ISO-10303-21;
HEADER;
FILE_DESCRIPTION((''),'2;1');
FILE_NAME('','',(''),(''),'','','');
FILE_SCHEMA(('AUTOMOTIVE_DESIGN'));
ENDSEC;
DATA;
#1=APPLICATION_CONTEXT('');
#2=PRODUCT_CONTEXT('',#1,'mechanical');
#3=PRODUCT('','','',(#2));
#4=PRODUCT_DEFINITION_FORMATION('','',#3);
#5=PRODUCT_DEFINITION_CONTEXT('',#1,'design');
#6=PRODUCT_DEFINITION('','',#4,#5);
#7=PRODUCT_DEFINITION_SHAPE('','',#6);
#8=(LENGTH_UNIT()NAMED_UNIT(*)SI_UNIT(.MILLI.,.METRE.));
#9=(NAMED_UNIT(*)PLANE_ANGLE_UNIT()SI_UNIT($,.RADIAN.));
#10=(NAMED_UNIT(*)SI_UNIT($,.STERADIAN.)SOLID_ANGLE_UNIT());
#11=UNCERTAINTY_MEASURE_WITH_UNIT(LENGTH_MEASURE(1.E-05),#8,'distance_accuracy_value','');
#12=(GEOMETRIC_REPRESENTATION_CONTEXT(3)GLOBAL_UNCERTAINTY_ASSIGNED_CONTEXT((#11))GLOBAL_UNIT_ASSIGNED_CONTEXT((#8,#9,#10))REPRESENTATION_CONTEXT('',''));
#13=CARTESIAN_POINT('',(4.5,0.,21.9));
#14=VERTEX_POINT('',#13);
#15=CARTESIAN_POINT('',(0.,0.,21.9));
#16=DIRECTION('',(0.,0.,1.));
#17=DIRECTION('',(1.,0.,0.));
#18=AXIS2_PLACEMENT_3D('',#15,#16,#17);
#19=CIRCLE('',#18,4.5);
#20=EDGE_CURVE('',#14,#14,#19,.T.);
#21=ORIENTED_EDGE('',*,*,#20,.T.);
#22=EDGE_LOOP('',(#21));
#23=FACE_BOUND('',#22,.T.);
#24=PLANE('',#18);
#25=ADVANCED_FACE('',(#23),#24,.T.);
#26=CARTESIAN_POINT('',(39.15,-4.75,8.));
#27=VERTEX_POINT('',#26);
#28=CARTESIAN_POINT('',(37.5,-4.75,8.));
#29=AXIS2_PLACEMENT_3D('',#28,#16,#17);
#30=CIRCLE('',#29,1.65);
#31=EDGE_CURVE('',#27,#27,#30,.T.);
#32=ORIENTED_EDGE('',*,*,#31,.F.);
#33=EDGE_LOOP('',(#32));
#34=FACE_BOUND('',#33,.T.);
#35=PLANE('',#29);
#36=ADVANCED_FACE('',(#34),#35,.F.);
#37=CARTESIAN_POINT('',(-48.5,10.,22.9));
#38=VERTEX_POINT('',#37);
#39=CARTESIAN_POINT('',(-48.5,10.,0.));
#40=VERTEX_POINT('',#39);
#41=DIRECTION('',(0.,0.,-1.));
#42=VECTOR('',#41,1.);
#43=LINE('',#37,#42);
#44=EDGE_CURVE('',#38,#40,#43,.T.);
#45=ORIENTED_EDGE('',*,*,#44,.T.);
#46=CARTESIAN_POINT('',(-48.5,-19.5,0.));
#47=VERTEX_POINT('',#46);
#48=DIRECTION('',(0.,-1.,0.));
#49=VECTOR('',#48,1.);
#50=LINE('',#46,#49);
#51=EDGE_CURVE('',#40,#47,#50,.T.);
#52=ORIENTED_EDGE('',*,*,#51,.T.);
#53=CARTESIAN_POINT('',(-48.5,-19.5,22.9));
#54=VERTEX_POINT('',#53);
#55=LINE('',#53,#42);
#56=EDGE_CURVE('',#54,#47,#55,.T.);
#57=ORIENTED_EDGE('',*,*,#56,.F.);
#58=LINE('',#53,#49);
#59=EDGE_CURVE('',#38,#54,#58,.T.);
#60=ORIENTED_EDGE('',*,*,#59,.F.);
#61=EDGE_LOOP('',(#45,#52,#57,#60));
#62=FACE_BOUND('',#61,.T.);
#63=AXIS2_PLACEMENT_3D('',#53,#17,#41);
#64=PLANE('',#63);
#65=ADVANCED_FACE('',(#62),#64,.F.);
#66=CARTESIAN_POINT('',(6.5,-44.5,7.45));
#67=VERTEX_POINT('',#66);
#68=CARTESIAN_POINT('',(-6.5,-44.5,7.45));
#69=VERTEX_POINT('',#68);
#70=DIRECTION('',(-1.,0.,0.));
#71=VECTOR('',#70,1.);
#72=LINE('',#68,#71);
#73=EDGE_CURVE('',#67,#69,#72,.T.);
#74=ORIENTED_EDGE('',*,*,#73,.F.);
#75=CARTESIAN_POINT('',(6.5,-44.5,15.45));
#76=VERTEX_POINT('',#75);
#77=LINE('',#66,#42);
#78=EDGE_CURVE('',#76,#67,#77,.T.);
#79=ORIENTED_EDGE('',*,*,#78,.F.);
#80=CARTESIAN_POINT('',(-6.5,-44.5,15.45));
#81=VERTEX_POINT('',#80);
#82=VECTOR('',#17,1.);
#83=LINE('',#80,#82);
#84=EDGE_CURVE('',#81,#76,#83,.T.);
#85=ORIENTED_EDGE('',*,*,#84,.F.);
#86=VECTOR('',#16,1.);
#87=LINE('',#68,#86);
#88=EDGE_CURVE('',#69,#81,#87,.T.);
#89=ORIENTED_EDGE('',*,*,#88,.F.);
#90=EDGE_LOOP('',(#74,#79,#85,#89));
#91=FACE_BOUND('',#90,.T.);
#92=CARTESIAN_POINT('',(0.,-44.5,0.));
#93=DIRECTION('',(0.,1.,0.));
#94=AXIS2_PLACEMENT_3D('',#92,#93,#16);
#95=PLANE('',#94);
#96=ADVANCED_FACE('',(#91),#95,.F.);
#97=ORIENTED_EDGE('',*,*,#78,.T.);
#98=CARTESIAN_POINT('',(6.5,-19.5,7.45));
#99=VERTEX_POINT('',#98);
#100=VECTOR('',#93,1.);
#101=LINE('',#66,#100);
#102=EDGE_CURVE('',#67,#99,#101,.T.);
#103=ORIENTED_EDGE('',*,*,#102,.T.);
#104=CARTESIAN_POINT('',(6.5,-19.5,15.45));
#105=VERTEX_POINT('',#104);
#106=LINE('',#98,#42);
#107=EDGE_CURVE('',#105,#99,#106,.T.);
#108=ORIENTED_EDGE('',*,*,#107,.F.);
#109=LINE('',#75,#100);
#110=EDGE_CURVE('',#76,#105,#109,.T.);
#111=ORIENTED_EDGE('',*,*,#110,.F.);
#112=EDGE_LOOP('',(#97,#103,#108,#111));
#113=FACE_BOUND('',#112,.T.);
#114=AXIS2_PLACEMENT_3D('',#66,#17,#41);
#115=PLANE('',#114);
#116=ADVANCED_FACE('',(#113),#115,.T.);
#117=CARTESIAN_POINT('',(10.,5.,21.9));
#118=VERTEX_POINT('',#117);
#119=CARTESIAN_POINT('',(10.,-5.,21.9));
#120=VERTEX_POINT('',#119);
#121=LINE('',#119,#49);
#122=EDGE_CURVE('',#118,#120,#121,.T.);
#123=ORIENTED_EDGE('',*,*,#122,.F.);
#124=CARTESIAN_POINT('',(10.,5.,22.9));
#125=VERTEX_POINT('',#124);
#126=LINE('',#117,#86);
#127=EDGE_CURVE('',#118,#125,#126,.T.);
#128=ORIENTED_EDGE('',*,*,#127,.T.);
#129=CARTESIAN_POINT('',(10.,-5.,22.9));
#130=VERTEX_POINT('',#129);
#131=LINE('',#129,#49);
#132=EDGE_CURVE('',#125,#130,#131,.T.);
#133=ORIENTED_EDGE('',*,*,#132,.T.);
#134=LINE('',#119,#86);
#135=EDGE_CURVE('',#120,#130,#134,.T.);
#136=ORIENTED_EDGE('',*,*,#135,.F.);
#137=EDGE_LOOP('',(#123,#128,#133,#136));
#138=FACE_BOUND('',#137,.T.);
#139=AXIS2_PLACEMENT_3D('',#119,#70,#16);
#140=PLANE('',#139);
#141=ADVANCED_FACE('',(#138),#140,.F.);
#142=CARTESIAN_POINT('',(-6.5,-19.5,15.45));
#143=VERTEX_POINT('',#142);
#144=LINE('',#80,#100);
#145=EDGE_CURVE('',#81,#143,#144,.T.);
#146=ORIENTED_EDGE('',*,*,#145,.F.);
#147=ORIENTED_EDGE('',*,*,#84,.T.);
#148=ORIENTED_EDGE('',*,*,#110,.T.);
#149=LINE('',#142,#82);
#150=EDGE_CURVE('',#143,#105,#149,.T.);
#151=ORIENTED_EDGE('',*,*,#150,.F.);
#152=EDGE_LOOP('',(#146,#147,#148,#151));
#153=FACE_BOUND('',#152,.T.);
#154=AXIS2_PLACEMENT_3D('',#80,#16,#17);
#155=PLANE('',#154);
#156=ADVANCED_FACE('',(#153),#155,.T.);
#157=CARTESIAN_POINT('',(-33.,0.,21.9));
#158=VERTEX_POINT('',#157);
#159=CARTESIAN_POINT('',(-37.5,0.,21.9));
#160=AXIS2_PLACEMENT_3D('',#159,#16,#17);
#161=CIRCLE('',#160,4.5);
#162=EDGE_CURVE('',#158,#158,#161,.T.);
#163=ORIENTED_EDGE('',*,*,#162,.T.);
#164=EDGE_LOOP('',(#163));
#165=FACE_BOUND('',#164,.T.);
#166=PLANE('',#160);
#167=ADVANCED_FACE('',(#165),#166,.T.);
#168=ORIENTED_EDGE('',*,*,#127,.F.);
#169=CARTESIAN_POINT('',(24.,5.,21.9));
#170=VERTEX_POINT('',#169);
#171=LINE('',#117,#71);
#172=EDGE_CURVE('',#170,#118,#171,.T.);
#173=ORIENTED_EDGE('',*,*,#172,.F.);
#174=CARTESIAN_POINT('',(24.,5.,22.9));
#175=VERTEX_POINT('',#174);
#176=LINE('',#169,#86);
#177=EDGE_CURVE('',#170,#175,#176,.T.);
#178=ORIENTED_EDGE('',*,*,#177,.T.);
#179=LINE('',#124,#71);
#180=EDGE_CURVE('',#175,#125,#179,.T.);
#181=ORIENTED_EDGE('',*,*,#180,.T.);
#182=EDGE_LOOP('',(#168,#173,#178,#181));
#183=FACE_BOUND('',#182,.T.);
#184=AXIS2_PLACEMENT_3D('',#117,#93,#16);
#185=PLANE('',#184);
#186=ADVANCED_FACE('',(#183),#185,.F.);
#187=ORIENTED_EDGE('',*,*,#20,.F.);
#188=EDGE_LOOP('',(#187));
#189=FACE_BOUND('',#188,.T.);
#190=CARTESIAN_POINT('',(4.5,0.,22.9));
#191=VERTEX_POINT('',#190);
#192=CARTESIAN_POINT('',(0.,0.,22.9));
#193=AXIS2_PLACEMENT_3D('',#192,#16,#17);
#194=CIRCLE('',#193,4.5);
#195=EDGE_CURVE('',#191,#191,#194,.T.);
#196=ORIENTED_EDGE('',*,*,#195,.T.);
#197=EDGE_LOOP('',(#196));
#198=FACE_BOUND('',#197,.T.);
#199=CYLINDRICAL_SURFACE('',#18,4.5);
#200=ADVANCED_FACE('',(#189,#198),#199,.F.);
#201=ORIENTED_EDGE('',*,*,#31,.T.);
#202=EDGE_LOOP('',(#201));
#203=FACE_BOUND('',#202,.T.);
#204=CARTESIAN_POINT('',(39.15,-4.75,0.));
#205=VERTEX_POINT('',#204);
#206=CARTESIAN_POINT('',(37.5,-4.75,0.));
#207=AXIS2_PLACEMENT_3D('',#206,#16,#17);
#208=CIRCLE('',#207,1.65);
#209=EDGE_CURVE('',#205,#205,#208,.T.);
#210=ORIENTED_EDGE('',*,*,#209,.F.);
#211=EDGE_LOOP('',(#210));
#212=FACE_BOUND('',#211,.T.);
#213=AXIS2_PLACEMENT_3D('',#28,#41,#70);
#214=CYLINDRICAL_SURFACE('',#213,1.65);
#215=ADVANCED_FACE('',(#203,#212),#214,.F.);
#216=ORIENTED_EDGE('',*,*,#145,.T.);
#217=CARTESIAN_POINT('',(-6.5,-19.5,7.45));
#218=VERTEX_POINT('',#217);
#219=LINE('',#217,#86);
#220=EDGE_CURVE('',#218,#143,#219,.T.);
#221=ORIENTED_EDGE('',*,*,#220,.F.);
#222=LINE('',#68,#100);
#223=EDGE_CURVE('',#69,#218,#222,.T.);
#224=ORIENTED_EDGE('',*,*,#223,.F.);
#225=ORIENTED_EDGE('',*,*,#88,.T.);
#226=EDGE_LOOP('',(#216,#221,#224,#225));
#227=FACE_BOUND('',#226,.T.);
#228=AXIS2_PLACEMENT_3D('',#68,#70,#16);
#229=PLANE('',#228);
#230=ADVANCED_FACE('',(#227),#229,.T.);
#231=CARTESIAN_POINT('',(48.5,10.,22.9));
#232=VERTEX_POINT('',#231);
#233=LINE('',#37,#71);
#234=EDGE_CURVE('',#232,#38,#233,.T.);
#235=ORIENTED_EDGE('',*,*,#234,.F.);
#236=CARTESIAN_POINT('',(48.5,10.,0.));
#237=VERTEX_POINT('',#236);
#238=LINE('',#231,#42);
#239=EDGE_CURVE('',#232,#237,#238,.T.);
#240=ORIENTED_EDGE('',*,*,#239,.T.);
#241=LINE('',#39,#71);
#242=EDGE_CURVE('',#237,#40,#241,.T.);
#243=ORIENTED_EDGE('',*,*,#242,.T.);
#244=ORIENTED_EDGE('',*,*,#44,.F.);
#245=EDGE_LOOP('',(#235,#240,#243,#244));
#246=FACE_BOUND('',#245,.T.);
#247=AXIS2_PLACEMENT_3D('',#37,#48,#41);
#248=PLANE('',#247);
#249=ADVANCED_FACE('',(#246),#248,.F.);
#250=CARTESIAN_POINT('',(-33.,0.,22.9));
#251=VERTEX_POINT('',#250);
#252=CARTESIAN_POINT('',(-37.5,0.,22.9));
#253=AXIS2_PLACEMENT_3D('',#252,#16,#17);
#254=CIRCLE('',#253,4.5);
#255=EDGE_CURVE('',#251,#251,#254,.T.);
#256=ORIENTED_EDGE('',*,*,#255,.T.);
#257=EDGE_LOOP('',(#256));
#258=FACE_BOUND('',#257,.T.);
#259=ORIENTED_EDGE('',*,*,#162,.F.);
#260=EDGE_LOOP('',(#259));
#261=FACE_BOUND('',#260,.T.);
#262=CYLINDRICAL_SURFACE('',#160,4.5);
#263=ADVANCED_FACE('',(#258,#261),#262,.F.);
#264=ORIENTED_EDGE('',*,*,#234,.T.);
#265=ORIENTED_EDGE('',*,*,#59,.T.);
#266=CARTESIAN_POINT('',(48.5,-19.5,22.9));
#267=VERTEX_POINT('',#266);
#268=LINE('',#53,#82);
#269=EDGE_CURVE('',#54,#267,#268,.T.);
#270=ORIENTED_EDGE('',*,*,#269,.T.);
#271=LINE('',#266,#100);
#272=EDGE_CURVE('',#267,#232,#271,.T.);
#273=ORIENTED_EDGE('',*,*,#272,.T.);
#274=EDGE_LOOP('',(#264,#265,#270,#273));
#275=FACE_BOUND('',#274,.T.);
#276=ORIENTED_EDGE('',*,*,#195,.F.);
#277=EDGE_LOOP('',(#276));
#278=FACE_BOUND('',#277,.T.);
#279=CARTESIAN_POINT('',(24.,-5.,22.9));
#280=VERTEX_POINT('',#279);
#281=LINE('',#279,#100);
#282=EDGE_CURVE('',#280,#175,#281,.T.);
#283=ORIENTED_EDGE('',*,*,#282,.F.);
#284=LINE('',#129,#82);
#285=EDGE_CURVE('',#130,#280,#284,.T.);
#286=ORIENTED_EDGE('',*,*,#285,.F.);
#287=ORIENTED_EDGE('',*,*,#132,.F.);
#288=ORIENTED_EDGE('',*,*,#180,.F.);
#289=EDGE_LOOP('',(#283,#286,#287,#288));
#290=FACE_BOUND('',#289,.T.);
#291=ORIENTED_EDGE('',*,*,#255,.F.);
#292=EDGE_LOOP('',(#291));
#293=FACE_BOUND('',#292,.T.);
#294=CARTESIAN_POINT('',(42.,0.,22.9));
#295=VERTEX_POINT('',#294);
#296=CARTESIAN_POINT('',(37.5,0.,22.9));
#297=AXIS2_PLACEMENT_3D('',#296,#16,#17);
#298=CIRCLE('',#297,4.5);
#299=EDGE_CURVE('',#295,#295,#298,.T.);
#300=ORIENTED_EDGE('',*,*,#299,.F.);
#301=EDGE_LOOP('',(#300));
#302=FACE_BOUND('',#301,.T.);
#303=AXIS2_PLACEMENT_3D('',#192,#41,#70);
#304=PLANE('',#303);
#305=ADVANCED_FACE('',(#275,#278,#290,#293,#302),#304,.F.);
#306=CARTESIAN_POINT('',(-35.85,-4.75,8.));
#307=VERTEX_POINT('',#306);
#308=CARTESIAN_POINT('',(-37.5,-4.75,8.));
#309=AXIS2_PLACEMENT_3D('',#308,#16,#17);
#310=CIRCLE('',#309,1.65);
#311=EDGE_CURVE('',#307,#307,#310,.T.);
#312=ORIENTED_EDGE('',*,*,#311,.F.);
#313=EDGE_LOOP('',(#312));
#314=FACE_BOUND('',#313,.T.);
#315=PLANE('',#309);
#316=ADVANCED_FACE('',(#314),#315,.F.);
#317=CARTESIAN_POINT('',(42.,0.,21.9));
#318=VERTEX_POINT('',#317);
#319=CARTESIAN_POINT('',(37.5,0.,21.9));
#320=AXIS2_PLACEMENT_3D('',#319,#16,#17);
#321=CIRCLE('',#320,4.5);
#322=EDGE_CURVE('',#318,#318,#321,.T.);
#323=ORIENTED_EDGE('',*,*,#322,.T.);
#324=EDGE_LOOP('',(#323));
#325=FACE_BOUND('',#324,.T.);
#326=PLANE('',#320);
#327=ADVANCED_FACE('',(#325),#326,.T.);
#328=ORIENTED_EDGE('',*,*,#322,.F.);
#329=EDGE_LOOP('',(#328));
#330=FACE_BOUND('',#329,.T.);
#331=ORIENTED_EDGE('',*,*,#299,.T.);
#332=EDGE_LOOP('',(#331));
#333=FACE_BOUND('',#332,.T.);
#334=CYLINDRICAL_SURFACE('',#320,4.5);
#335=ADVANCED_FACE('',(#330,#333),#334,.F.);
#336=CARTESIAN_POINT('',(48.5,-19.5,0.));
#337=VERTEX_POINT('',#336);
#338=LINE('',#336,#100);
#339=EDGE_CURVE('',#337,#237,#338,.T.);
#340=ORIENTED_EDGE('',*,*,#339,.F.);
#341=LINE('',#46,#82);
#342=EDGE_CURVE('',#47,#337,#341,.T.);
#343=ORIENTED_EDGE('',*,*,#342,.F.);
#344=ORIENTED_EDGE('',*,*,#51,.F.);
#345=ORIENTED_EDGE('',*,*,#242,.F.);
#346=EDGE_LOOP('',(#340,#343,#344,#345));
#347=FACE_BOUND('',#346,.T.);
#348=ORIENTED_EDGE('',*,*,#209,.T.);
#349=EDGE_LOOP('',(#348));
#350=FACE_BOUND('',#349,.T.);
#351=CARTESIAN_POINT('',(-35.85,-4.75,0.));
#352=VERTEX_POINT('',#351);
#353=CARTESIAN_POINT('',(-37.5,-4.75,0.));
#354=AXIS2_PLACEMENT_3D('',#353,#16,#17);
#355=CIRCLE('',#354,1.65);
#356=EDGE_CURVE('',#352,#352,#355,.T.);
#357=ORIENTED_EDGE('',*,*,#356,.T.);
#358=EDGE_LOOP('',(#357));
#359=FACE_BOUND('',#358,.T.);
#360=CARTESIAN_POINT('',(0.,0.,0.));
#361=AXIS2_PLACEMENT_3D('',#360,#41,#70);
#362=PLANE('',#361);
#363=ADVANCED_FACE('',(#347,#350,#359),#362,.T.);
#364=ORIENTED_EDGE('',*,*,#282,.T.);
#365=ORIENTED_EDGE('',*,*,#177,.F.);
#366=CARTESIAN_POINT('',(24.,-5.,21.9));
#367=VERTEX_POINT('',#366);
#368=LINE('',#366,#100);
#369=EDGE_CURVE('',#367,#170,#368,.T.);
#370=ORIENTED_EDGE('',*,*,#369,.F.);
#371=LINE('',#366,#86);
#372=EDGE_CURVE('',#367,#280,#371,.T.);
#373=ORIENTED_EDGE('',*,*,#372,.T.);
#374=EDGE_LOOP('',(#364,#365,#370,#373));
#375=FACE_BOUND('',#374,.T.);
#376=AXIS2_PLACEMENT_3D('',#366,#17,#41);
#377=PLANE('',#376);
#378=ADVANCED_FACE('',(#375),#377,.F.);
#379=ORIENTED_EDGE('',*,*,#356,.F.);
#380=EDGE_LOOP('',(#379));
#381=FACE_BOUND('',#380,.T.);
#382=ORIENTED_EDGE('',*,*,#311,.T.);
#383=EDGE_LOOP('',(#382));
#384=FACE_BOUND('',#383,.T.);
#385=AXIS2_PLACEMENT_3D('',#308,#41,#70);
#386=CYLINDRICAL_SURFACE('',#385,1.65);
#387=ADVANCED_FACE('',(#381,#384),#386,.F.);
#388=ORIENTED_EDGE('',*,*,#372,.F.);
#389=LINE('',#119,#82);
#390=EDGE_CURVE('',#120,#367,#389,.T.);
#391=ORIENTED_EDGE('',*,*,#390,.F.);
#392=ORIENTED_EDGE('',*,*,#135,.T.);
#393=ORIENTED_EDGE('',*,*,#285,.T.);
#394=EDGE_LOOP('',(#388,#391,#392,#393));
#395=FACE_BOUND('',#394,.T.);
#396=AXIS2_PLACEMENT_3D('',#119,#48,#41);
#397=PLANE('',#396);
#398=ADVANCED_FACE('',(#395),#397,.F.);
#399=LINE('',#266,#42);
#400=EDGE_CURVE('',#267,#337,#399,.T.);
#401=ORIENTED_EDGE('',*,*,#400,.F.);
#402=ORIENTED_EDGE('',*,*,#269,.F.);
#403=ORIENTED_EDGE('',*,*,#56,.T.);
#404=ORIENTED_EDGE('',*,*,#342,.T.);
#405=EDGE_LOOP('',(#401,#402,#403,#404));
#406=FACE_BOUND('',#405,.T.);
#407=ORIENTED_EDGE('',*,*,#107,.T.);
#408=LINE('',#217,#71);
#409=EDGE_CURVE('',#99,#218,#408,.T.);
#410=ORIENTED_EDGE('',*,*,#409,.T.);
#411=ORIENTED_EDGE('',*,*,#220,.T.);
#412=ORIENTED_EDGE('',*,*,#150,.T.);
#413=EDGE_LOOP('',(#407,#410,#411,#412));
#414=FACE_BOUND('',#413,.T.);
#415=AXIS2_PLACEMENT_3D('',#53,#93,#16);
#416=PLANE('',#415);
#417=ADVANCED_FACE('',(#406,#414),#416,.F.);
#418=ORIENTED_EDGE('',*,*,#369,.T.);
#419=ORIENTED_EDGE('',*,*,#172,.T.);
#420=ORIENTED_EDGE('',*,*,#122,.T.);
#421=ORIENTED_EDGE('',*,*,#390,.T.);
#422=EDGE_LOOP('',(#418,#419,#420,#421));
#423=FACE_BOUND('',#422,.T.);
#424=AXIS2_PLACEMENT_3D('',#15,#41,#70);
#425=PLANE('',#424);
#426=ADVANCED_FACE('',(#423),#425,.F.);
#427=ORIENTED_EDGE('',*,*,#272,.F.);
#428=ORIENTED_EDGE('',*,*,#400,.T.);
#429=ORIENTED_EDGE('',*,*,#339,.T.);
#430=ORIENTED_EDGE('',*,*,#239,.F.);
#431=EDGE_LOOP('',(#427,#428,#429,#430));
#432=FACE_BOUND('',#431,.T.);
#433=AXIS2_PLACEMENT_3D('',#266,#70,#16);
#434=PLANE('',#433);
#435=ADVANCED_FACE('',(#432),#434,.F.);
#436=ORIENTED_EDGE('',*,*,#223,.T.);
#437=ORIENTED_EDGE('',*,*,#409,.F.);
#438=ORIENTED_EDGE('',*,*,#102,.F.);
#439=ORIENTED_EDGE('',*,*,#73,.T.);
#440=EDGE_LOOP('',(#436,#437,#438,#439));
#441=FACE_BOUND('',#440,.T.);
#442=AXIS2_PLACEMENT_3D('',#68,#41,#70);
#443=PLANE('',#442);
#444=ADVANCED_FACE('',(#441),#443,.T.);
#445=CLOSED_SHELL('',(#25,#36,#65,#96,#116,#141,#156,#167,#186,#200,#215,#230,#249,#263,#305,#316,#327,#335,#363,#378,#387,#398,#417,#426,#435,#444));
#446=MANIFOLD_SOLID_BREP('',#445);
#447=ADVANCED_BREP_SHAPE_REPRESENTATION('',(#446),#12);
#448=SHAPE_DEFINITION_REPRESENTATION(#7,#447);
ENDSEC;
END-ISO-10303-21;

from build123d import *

# Parameters (mm, degrees)
SK_BODY_W              = 97
SK_BODY_H              = 29.5
EX_BODY_DEPTH          = 22.9
SK_VESA_2XM4_R         = 1.65
CUT_VESA_2XM4_DEPTH    = 8
SK_LENSES_R            = 4.5
SK_LENSES_W            = 14
SK_LENSES_H            = 10
CUT_LENSES_DEPTH       = 1
SK_KEEPOUT_USB_C_W     = 13
SK_KEEPOUT_USB_C_H     = 8
EX_KEEPOUT_USB_C_DEPTH = 25


with BuildPart() as part:
    # SK_Body → EX_Body (new body)
    with BuildSketch(Plane.XY):
        with Locations((0, -4.75)):
            Rectangle(SK_BODY_W, SK_BODY_H)
    extrude(amount=EX_BODY_DEPTH)

    # SK_VESA_2xM4 → CUT_VESA_2xM4 (cut)
    with BuildSketch(Plane.XY):
        with Locations((37.5, -4.75)):
            Circle(SK_VESA_2XM4_R)
        with Locations((-37.5, -4.75)):
            Circle(SK_VESA_2XM4_R)
    extrude(amount=CUT_VESA_2XM4_DEPTH, mode=Mode.SUBTRACT)

    # SK_Lenses → CUT_Lenses (cut)
    with BuildSketch(Plane.XY.offset(22.9)):
        with Locations((37.5, 0)):
            Circle(SK_LENSES_R)
        with Locations((-37.5, 0)):
            Circle(SK_LENSES_R)
        Circle(SK_LENSES_R)
        with Locations((17, 0)):
            Rectangle(SK_LENSES_W, SK_LENSES_H)
    extrude(amount=-CUT_LENSES_DEPTH, mode=Mode.SUBTRACT)

    # SK_KeepOut_USB_C → EX_KeepOut_USB_C (add)
    with BuildSketch(Plane(origin=(0, -19.5, 0), x_dir=(1, 0, 0), z_dir=(0, 1, 0))):
        with Locations((0, -11.45)):
            Rectangle(SK_KEEPOUT_USB_C_W, SK_KEEPOUT_USB_C_H)
    extrude(amount=-EX_KEEPOUT_USB_C_DEPTH)


solid = part.part
